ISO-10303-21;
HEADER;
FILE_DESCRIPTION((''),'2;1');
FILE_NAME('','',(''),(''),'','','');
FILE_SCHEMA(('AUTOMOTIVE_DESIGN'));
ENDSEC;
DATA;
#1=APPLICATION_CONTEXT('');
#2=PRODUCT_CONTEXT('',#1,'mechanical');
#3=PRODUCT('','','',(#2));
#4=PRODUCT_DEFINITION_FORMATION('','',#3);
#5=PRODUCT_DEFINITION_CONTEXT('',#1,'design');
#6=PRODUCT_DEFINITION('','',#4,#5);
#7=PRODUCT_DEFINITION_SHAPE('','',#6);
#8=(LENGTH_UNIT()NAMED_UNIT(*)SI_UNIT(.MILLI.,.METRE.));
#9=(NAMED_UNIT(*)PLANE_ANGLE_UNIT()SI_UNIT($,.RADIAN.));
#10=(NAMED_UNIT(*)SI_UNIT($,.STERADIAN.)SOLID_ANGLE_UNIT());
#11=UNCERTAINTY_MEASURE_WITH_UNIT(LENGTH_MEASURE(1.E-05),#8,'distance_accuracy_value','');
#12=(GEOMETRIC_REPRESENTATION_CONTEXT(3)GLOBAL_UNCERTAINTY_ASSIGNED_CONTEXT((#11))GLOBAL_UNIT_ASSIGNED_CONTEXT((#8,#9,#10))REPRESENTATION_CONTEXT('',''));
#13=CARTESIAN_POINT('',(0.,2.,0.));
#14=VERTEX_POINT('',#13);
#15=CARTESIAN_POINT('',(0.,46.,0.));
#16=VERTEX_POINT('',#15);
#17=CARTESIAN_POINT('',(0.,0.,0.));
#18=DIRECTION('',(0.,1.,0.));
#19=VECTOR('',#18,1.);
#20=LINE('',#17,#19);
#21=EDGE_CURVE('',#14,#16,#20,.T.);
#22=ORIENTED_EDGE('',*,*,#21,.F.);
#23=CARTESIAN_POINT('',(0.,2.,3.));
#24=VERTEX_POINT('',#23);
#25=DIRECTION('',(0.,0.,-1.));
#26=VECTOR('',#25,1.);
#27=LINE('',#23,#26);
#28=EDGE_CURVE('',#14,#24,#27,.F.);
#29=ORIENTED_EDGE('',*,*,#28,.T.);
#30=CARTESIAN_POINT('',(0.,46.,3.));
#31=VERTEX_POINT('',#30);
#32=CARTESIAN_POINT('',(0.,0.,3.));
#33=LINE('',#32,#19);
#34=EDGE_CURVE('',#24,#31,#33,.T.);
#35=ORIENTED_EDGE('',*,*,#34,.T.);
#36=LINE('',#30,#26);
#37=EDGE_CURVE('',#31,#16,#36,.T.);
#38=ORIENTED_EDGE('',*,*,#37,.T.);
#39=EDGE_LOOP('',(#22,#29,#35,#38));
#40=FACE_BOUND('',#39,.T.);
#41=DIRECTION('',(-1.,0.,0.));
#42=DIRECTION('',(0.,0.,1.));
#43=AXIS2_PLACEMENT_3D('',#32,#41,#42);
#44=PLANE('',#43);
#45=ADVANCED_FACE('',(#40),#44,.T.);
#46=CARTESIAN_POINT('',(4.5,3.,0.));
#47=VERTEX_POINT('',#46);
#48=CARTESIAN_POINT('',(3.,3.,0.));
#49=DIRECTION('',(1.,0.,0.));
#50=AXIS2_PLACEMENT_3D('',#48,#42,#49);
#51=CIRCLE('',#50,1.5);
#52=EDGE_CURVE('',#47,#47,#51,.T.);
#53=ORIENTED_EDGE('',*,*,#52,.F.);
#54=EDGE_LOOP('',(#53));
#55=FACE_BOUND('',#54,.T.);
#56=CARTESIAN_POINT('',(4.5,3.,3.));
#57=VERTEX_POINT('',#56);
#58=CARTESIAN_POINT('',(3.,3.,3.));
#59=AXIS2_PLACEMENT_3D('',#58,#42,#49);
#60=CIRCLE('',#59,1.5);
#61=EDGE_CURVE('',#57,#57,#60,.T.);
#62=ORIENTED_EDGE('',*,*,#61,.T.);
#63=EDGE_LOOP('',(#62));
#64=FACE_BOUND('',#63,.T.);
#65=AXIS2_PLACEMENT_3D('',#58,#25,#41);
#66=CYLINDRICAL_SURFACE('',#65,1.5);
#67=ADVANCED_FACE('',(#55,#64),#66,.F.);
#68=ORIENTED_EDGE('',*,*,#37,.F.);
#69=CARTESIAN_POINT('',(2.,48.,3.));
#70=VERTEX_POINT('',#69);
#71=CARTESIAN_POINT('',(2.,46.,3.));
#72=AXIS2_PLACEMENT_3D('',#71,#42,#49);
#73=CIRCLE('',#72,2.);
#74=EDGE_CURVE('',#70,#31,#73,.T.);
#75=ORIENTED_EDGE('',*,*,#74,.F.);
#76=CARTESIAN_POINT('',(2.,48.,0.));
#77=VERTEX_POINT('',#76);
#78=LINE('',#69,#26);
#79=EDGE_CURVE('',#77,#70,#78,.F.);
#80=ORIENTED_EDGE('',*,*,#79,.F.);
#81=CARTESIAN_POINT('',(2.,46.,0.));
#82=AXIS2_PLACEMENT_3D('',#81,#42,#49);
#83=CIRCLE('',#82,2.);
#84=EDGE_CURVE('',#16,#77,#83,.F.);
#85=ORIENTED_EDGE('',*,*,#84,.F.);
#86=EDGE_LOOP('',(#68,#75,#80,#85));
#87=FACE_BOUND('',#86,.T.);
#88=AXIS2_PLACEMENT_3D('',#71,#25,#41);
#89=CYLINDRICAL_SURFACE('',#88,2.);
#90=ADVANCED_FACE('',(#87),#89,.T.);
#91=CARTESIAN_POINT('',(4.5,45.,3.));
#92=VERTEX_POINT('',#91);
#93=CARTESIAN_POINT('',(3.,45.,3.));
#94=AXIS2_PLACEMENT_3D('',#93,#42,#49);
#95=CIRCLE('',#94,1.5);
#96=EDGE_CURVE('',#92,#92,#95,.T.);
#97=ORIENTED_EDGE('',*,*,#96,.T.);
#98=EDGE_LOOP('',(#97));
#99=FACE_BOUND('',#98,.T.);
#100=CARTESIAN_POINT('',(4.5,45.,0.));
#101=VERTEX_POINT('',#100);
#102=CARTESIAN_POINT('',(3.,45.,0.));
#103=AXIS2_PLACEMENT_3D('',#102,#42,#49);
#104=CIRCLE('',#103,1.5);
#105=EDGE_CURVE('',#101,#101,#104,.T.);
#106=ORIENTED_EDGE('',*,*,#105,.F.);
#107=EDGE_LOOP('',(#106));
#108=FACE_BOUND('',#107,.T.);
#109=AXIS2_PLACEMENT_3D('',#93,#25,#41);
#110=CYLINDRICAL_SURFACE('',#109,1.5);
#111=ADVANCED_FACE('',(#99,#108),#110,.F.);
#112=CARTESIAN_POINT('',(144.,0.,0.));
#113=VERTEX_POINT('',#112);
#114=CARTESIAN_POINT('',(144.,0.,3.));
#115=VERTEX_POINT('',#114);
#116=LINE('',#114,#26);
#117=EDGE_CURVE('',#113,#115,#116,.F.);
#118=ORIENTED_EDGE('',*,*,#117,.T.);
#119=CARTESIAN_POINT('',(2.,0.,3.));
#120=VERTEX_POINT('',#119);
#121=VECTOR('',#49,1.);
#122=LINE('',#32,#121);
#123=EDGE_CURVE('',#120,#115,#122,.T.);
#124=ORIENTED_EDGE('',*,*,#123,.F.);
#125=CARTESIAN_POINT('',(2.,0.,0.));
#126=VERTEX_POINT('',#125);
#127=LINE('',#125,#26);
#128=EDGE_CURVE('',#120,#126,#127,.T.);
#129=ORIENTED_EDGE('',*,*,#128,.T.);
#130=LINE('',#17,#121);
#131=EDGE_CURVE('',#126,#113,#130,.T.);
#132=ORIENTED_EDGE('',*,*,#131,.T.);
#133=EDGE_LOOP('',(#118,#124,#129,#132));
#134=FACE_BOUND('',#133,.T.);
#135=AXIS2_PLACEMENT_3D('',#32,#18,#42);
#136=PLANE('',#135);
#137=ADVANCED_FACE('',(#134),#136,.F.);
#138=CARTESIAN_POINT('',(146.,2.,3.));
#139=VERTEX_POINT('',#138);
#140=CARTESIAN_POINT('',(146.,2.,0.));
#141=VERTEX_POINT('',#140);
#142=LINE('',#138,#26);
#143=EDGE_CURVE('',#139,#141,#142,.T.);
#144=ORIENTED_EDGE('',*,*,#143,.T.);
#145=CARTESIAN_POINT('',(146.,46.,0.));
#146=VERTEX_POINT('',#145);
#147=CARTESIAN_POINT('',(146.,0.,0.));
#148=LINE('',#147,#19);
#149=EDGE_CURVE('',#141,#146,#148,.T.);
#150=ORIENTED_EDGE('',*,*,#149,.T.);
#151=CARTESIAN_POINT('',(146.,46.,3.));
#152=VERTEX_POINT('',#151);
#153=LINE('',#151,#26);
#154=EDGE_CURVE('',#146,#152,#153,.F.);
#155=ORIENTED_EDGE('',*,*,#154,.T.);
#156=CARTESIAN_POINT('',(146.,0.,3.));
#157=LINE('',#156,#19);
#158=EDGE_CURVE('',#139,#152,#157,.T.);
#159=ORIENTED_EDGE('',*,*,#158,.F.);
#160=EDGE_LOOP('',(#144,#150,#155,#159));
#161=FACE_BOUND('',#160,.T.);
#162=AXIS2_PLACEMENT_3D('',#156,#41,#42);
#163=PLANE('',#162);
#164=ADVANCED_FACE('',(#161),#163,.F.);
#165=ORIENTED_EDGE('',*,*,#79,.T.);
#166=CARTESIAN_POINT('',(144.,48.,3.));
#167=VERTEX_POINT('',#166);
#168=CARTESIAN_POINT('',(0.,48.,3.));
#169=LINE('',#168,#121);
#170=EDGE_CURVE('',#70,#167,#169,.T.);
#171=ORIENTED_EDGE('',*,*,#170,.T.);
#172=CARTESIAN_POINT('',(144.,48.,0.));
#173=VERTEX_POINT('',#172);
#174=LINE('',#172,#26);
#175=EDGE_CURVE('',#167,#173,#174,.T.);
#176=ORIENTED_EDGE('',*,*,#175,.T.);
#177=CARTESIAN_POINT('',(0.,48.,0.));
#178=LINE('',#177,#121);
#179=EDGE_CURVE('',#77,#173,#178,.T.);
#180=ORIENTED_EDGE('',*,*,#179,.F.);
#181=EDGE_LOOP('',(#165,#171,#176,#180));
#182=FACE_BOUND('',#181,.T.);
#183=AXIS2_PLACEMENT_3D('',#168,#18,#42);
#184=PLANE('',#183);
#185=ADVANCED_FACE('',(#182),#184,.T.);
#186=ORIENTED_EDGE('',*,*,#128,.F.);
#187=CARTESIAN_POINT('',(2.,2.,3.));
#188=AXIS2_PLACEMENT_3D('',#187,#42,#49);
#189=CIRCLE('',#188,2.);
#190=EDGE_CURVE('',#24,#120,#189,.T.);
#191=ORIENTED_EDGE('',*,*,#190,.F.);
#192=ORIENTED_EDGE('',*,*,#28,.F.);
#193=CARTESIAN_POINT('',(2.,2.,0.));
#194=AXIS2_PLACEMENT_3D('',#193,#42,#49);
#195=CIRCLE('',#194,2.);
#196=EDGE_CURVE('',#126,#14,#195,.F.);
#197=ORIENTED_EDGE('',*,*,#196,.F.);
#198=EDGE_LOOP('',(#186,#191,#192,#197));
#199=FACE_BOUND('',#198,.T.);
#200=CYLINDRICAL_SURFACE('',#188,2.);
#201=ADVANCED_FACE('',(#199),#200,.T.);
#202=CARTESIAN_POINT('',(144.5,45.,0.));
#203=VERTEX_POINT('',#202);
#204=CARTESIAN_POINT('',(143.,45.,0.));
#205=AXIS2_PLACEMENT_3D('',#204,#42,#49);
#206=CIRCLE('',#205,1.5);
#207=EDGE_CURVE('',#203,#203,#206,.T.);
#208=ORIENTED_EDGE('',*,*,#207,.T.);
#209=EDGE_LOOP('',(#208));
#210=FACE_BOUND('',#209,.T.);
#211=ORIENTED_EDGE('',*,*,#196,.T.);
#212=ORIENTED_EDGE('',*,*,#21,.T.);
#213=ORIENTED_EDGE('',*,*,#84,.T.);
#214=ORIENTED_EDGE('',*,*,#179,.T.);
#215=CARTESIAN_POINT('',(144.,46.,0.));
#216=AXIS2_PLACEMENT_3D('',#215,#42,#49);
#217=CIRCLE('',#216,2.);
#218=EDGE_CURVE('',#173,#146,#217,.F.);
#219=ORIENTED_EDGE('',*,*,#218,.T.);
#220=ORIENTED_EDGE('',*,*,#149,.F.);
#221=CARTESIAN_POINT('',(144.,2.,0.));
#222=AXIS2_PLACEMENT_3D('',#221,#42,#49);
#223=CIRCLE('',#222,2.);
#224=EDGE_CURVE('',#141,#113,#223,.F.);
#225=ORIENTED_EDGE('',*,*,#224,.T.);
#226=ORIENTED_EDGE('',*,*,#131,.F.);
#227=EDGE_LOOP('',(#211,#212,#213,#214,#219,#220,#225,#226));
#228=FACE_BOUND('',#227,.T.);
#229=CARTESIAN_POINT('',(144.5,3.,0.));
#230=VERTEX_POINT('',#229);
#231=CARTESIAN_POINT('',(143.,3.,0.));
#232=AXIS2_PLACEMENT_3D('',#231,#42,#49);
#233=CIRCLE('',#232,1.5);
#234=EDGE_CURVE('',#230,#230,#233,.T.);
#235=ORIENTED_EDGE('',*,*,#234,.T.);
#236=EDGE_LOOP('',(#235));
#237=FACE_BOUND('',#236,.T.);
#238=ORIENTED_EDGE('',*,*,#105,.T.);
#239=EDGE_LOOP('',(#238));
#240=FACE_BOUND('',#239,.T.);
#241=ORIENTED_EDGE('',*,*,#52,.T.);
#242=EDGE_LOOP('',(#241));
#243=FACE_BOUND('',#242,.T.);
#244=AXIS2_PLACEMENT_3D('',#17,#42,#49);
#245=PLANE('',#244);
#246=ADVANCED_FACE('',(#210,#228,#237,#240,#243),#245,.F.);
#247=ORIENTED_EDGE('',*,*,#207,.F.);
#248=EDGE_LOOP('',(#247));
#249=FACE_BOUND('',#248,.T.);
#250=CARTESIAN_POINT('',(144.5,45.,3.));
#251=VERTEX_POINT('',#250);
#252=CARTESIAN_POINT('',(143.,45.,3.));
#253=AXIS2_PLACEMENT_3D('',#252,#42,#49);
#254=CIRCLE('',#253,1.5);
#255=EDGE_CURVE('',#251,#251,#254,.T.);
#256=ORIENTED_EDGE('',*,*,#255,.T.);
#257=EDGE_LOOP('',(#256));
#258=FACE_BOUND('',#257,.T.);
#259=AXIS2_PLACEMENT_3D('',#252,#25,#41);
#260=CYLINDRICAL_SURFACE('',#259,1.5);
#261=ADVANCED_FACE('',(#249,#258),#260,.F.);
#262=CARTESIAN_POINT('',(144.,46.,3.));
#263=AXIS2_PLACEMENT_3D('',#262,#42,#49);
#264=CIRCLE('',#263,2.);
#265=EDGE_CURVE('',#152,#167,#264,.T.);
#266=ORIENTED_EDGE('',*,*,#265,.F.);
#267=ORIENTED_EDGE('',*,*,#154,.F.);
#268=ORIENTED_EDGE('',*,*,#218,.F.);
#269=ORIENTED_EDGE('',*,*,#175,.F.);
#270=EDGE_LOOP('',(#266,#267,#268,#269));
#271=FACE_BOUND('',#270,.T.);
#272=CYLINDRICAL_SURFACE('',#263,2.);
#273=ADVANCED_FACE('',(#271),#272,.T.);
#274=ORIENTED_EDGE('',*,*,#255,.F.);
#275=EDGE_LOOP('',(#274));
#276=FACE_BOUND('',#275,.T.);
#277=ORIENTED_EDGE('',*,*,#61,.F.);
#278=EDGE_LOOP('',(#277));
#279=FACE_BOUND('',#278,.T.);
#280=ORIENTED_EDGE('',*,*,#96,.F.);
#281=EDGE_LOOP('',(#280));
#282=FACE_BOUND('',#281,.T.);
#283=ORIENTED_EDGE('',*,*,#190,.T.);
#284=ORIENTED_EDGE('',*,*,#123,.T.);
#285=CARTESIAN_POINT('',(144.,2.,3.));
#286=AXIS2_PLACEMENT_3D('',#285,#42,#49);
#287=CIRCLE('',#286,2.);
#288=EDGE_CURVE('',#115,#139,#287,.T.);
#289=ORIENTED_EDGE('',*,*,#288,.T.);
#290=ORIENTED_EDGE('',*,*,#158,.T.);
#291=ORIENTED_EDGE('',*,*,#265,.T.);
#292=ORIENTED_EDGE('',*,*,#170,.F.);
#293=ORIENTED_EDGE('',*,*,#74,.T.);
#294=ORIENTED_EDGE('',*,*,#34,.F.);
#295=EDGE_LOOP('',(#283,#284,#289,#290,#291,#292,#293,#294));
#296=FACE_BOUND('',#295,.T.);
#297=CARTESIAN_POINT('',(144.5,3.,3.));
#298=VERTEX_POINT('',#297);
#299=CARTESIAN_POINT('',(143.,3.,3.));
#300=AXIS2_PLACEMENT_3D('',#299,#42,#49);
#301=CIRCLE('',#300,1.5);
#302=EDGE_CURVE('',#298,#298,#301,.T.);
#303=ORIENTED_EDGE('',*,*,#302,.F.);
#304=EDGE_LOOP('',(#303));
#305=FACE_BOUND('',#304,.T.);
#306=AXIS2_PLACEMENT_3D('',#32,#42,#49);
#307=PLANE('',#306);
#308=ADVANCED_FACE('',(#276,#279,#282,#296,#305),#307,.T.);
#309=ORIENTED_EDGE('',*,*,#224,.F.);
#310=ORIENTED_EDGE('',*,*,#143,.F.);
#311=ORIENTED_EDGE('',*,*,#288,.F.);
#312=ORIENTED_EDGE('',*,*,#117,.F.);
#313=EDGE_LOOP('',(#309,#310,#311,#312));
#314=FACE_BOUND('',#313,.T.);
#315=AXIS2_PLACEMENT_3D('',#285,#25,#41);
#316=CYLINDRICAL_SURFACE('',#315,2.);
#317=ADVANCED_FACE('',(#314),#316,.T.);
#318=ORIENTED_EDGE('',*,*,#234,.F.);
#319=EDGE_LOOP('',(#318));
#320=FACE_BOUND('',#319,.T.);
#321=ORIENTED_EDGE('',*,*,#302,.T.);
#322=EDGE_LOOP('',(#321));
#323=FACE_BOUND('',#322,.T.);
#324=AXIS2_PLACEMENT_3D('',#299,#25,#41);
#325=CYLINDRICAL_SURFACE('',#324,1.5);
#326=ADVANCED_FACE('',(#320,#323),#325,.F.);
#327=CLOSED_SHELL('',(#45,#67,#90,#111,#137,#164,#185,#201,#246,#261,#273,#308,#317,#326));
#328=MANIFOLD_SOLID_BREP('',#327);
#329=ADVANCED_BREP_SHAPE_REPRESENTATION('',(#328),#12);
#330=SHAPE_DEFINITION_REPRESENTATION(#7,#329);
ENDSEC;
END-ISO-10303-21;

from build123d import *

# Parameters (mm, degrees)
SKETCH1_W           = 146
SKETCH1_H           = 48
SKETCH1_R           = 1.5
BOSS_EXTRUDE1_DEPTH = 3
FILLET1_R           = 2


with BuildPart() as part:
    # Sketch1 → Boss-Extrude1 (new body)
    with BuildSketch(Plane.XY):
        with Locations((73, 24)):
            Rectangle(SKETCH1_W, SKETCH1_H)
        with Locations((3, 45)):
            Circle(SKETCH1_R, mode=Mode.SUBTRACT)
        with Locations((3, 3)):
            Circle(SKETCH1_R, mode=Mode.SUBTRACT)
        with Locations((143, 45)):
            Circle(SKETCH1_R, mode=Mode.SUBTRACT)
        with Locations((143, 3)):
            Circle(SKETCH1_R, mode=Mode.SUBTRACT)
    extrude(amount=BOSS_EXTRUDE1_DEPTH)

    # Fillet1
    fillet1_edges = [part.edges().sort_by_distance(p)[0] for p in [
        (0, 0, 1.5),
        (0, 48, 1.5),
        (146, 48, 1.5),
        (146, 0, 1.5),
    ]]
    fillet(fillet1_edges, radius=FILLET1_R)


solid = part.part
